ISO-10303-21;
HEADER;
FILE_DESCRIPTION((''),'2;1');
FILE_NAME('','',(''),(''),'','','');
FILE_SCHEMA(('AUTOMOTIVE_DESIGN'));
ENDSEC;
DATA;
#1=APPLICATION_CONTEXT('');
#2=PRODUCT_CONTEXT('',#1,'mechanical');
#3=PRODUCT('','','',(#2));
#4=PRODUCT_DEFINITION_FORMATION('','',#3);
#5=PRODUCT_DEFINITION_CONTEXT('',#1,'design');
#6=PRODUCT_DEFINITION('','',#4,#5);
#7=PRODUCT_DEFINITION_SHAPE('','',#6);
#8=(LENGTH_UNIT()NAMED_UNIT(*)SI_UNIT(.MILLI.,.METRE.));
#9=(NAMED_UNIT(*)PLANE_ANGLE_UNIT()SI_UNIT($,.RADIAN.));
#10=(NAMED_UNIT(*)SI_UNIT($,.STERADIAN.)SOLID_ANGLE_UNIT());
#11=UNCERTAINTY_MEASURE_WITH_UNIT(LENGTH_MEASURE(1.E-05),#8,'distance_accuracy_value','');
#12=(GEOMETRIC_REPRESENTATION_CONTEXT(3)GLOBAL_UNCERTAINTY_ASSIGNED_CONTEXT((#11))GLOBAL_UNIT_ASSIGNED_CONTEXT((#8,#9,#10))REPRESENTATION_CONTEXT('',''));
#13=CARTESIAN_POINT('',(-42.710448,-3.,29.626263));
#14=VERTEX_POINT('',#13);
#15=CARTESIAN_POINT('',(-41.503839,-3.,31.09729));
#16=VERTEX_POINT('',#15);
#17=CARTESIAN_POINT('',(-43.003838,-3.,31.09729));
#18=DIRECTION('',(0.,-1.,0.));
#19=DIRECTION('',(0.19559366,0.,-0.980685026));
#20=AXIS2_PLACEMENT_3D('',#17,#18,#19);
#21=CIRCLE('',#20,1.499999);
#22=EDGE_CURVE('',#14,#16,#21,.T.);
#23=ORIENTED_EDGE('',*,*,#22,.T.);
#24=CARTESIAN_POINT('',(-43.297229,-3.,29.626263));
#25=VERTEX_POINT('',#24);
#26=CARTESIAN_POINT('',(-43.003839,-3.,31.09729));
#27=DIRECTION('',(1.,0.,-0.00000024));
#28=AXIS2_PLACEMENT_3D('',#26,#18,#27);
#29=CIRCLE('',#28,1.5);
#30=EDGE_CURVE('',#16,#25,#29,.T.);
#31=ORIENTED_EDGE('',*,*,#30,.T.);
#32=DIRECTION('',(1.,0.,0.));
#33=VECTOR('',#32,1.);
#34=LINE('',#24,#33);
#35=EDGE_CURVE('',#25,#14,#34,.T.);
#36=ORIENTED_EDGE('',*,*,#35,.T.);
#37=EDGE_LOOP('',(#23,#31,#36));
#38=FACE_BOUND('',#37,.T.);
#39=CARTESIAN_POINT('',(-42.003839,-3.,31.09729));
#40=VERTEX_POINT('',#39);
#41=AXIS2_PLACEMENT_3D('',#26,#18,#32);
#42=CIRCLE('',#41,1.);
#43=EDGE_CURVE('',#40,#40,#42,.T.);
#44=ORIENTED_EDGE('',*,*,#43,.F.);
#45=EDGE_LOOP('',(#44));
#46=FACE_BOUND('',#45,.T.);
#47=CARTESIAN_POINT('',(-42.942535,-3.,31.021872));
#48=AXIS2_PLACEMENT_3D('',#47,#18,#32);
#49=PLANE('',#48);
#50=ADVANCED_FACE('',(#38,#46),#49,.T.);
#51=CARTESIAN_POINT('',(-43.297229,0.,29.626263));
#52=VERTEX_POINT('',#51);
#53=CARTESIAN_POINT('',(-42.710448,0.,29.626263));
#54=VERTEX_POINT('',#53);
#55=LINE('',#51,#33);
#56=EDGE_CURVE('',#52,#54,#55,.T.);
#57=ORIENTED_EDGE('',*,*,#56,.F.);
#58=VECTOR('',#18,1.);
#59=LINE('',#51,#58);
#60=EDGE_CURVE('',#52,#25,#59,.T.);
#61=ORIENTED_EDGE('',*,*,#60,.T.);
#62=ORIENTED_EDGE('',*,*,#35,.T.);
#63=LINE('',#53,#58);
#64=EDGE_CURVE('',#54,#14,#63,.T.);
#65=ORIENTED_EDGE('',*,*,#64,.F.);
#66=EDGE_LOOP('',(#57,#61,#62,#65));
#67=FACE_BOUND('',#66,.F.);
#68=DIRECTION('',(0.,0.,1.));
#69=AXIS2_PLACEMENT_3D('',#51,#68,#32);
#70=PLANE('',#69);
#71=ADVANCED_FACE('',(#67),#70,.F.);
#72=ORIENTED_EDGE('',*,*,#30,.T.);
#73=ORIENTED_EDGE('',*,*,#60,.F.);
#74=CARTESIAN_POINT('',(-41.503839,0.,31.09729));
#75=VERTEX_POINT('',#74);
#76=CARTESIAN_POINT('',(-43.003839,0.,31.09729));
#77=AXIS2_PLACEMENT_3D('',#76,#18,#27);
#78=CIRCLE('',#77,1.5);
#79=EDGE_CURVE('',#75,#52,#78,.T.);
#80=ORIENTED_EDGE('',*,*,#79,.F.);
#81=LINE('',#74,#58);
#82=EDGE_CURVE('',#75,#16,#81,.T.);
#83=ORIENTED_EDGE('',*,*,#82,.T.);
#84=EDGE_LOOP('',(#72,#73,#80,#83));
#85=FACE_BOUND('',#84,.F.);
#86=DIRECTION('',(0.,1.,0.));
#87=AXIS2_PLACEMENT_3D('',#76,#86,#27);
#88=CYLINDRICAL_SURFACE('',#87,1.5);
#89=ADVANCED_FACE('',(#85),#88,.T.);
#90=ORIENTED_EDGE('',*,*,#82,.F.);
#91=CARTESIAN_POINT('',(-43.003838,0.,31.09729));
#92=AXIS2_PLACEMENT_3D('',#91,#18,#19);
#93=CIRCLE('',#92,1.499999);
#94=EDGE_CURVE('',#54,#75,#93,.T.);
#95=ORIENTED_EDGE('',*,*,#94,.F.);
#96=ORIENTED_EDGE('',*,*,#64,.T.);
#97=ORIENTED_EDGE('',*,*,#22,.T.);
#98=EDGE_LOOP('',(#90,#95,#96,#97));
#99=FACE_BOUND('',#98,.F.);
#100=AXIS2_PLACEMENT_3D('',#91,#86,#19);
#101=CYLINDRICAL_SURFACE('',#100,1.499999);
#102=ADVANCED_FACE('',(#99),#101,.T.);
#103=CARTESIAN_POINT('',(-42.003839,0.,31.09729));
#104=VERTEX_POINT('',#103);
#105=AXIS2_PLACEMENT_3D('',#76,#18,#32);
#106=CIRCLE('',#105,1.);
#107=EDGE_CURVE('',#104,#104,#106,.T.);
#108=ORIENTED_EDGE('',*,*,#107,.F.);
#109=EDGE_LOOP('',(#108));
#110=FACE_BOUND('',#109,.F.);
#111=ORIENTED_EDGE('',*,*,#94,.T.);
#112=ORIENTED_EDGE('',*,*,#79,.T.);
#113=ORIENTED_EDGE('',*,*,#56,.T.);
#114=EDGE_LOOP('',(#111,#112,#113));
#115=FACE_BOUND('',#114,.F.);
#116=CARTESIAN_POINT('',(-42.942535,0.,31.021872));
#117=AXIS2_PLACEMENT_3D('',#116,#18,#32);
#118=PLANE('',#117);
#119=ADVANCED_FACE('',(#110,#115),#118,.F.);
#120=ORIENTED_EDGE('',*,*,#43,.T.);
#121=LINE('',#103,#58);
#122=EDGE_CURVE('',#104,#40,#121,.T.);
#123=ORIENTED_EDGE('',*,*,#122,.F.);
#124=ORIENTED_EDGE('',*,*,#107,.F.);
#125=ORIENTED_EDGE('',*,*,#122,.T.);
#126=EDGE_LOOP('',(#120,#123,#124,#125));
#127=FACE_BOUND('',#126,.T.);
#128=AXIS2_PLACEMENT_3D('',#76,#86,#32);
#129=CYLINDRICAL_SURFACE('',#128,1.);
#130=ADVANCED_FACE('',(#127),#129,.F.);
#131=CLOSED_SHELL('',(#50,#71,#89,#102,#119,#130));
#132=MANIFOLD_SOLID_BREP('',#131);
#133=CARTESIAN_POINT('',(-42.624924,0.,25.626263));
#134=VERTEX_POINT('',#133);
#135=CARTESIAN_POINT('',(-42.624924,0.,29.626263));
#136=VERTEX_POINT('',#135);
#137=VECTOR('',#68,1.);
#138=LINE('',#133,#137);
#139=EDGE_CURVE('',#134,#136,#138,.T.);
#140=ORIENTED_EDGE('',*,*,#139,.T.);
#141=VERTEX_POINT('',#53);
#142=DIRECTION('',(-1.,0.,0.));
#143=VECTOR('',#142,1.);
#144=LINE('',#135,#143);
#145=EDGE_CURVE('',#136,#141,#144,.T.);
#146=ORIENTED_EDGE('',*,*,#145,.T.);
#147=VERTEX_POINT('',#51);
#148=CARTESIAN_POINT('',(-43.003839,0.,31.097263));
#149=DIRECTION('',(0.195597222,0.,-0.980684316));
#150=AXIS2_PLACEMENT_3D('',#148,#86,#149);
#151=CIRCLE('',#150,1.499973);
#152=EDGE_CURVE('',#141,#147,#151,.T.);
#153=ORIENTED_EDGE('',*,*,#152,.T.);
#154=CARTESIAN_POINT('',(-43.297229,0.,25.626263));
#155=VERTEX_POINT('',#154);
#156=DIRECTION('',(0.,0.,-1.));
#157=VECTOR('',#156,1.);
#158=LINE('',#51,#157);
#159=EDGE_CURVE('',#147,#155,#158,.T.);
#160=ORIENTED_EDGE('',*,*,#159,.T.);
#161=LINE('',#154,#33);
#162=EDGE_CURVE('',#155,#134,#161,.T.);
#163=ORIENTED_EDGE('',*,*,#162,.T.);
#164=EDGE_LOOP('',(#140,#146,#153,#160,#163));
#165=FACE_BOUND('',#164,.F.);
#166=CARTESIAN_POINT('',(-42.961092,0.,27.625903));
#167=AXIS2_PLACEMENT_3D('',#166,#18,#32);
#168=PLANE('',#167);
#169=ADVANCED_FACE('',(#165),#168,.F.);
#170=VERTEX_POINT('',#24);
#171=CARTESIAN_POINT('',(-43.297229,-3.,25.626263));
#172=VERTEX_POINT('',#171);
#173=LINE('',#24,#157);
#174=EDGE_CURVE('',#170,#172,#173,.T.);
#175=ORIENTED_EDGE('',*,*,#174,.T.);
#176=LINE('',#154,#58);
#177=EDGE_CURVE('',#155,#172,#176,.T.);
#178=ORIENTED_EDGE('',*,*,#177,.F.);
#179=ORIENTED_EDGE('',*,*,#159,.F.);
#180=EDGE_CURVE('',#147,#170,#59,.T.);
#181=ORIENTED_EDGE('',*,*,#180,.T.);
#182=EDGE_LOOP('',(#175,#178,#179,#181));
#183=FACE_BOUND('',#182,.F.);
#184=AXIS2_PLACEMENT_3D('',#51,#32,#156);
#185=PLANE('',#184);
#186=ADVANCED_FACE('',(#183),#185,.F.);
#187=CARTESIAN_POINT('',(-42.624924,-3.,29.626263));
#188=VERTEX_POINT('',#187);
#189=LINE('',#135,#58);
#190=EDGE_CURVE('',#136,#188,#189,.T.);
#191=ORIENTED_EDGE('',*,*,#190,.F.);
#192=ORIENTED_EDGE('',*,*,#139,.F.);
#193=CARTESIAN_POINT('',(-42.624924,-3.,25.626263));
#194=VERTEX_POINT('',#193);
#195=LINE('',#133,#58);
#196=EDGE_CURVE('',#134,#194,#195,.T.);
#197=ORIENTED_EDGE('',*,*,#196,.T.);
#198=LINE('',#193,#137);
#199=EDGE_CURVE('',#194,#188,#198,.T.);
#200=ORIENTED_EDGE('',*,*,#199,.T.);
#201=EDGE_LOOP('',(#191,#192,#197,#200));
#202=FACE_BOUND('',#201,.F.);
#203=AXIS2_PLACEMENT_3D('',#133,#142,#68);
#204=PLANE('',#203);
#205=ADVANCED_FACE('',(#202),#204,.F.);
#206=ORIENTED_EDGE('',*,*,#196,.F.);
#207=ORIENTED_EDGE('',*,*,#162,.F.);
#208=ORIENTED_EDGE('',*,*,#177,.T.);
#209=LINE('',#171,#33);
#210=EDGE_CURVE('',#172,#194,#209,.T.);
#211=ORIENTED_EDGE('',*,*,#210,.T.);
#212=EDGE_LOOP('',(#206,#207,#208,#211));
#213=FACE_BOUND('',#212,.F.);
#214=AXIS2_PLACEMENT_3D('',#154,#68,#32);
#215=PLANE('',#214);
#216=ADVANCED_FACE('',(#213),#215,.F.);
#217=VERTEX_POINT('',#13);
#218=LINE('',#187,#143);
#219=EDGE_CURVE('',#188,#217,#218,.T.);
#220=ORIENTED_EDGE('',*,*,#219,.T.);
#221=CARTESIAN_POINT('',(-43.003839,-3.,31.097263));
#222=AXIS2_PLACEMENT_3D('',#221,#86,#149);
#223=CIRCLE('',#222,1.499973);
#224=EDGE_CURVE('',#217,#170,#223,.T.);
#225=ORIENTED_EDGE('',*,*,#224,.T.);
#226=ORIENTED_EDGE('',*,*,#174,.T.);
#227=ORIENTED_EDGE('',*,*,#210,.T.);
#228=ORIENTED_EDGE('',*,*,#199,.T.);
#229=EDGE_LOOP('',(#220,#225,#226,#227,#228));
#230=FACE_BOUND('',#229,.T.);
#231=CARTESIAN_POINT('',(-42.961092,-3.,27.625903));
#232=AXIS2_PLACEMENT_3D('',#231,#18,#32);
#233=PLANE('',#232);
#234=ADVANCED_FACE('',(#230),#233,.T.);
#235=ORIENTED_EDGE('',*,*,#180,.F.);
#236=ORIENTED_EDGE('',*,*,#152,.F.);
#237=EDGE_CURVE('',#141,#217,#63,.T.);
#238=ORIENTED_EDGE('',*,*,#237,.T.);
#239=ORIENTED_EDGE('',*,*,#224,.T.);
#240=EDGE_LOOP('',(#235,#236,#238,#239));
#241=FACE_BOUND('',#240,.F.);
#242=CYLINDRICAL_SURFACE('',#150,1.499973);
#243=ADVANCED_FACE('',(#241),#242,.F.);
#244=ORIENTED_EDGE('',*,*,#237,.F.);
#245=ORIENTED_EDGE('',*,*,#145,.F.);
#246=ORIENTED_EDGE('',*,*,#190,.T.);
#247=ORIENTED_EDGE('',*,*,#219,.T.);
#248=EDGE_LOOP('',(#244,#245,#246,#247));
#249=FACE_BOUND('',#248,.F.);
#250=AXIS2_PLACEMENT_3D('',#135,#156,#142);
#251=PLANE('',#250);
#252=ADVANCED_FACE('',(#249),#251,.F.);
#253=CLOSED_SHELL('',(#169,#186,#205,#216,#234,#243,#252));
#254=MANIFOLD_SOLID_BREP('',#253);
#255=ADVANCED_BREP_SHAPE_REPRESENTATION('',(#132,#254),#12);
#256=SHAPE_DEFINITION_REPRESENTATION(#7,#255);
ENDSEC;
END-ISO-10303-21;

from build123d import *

# Parameters (mm, degrees)
F0_R     = 1
F1_DEPTH = 3


with BuildPart() as f1:
    # F0 (on Front) → F1 (new body)
    with BuildSketch(Plane.XZ):
        with BuildLine():
            ThreePointArc((-42.710448, 29.626263), (-43.003839, 29.59729), (-43.297229, 29.626263))
            Line((-43.297229, 29.626263), (-43.297229, 25.626263))
            Line((-43.297229, 25.626263), (-42.624924, 25.626263))
            Line((-42.624924, 25.626263), (-42.624924, 29.626263))
            Line((-42.624924, 29.626263), (-42.710448, 29.626263))
        make_face()
        with BuildLine():
            ThreePointArc((-42.710448, 29.626263), (-41.844079, 30.145998), (-41.503839, 31.09729))
            ThreePointArc((-41.503839, 31.09729), (-43.955131, 32.25705), (-43.297229, 29.626263))
            Line((-43.297229, 29.626263), (-42.710448, 29.626263))
        make_face()
        with Locations((-43.003839, 31.09729)):
            Circle(F0_R, mode=Mode.SUBTRACT)
    extrude(amount=F1_DEPTH)


solid = f1.part
